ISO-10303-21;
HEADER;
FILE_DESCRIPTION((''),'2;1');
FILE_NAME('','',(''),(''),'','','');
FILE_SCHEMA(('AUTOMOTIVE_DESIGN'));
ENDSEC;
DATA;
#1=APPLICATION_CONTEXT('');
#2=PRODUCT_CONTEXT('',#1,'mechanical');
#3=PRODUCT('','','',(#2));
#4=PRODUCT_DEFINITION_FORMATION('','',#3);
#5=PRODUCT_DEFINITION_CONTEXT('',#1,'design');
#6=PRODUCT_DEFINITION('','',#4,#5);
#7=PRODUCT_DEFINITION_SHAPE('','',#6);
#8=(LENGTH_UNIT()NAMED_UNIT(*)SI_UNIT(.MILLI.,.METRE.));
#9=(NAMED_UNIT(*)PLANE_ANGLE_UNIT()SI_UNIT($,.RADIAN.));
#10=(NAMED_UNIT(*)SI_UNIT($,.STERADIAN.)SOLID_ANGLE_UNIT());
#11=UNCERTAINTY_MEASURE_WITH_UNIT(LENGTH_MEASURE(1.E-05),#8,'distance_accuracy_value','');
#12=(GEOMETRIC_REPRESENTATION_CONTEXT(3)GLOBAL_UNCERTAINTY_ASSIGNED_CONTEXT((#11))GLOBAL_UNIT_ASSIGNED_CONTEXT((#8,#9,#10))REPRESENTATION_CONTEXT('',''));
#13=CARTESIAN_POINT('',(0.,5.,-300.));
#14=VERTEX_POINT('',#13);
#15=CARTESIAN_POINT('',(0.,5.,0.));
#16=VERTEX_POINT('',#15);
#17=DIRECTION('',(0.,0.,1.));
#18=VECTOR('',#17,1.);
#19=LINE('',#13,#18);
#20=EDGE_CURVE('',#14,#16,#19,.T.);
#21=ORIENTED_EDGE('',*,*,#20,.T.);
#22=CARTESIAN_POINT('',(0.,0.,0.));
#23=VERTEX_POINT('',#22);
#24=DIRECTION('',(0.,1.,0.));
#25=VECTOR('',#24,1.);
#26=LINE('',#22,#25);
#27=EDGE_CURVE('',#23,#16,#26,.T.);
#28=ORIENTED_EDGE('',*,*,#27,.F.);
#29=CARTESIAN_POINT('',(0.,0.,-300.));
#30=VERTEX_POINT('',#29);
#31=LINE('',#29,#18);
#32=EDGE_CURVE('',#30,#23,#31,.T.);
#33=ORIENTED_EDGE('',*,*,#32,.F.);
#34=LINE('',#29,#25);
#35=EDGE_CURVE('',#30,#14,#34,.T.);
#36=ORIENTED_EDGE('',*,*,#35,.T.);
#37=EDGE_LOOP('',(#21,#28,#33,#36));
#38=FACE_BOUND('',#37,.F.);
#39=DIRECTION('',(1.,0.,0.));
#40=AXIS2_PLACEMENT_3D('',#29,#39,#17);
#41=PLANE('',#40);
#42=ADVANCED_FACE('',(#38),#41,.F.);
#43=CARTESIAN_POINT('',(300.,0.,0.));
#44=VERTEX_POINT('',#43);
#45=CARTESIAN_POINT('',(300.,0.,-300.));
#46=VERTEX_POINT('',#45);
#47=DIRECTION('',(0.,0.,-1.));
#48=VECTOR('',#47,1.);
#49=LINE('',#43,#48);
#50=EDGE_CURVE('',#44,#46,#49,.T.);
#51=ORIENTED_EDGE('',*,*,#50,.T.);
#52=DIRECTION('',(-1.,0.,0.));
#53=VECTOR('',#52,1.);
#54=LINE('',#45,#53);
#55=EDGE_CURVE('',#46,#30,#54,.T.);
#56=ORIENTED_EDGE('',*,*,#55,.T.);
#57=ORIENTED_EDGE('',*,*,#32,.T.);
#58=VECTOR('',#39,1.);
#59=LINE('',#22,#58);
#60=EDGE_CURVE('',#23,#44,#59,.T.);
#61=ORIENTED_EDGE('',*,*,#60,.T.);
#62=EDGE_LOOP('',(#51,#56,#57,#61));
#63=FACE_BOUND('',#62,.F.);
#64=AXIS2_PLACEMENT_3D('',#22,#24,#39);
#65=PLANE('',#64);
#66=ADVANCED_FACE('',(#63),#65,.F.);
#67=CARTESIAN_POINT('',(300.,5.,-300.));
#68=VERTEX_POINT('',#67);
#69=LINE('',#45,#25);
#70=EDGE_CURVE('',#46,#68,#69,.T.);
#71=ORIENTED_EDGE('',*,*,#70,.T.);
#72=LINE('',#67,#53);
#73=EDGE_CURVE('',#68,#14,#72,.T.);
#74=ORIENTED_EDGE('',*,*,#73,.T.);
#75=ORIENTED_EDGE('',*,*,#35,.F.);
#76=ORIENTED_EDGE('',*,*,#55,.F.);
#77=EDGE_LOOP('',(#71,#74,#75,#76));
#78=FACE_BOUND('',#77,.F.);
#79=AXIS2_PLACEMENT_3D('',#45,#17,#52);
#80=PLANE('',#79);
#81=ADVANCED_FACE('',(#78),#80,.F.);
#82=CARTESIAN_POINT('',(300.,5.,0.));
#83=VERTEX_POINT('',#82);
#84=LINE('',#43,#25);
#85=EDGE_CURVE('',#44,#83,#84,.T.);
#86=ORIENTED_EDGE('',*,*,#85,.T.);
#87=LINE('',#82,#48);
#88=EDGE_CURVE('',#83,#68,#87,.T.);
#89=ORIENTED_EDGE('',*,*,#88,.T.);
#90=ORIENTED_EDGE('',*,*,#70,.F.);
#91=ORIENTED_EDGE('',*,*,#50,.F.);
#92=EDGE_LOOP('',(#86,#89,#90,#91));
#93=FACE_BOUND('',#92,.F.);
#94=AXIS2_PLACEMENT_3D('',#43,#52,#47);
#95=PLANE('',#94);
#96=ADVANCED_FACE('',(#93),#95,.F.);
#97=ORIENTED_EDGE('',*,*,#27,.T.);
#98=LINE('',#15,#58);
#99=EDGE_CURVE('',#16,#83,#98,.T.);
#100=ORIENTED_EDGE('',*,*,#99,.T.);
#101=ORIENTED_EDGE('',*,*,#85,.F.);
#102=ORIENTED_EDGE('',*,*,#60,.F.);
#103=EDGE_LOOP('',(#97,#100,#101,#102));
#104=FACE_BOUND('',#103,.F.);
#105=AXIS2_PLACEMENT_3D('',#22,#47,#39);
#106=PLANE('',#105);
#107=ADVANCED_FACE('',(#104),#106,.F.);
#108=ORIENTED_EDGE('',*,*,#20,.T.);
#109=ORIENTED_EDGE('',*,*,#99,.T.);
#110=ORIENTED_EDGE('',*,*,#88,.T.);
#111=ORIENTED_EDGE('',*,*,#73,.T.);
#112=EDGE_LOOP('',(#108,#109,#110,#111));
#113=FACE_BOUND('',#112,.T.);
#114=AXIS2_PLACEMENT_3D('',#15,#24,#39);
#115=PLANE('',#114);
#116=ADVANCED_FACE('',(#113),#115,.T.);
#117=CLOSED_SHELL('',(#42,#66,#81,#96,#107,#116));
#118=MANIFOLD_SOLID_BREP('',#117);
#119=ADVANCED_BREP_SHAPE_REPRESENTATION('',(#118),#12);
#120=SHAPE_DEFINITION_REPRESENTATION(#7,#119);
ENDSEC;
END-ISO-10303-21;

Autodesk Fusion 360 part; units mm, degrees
sketch "Sketch1" plane through (0, 0, 0) normal (0, 1, 0) x (1, 0, 0)
  line L0 (0, 0) -> (300, 0)
  line L1 (300, 0) -> (300, 300)
  line L2 (300, 300) -> (0, 300)
  line L3 (0, 300) -> (0, 0)
  dimension "d1" = 300
  dimension "d2" = 300
extrude "Extrude1" add sketch "Sketch1" along normal blind 5
